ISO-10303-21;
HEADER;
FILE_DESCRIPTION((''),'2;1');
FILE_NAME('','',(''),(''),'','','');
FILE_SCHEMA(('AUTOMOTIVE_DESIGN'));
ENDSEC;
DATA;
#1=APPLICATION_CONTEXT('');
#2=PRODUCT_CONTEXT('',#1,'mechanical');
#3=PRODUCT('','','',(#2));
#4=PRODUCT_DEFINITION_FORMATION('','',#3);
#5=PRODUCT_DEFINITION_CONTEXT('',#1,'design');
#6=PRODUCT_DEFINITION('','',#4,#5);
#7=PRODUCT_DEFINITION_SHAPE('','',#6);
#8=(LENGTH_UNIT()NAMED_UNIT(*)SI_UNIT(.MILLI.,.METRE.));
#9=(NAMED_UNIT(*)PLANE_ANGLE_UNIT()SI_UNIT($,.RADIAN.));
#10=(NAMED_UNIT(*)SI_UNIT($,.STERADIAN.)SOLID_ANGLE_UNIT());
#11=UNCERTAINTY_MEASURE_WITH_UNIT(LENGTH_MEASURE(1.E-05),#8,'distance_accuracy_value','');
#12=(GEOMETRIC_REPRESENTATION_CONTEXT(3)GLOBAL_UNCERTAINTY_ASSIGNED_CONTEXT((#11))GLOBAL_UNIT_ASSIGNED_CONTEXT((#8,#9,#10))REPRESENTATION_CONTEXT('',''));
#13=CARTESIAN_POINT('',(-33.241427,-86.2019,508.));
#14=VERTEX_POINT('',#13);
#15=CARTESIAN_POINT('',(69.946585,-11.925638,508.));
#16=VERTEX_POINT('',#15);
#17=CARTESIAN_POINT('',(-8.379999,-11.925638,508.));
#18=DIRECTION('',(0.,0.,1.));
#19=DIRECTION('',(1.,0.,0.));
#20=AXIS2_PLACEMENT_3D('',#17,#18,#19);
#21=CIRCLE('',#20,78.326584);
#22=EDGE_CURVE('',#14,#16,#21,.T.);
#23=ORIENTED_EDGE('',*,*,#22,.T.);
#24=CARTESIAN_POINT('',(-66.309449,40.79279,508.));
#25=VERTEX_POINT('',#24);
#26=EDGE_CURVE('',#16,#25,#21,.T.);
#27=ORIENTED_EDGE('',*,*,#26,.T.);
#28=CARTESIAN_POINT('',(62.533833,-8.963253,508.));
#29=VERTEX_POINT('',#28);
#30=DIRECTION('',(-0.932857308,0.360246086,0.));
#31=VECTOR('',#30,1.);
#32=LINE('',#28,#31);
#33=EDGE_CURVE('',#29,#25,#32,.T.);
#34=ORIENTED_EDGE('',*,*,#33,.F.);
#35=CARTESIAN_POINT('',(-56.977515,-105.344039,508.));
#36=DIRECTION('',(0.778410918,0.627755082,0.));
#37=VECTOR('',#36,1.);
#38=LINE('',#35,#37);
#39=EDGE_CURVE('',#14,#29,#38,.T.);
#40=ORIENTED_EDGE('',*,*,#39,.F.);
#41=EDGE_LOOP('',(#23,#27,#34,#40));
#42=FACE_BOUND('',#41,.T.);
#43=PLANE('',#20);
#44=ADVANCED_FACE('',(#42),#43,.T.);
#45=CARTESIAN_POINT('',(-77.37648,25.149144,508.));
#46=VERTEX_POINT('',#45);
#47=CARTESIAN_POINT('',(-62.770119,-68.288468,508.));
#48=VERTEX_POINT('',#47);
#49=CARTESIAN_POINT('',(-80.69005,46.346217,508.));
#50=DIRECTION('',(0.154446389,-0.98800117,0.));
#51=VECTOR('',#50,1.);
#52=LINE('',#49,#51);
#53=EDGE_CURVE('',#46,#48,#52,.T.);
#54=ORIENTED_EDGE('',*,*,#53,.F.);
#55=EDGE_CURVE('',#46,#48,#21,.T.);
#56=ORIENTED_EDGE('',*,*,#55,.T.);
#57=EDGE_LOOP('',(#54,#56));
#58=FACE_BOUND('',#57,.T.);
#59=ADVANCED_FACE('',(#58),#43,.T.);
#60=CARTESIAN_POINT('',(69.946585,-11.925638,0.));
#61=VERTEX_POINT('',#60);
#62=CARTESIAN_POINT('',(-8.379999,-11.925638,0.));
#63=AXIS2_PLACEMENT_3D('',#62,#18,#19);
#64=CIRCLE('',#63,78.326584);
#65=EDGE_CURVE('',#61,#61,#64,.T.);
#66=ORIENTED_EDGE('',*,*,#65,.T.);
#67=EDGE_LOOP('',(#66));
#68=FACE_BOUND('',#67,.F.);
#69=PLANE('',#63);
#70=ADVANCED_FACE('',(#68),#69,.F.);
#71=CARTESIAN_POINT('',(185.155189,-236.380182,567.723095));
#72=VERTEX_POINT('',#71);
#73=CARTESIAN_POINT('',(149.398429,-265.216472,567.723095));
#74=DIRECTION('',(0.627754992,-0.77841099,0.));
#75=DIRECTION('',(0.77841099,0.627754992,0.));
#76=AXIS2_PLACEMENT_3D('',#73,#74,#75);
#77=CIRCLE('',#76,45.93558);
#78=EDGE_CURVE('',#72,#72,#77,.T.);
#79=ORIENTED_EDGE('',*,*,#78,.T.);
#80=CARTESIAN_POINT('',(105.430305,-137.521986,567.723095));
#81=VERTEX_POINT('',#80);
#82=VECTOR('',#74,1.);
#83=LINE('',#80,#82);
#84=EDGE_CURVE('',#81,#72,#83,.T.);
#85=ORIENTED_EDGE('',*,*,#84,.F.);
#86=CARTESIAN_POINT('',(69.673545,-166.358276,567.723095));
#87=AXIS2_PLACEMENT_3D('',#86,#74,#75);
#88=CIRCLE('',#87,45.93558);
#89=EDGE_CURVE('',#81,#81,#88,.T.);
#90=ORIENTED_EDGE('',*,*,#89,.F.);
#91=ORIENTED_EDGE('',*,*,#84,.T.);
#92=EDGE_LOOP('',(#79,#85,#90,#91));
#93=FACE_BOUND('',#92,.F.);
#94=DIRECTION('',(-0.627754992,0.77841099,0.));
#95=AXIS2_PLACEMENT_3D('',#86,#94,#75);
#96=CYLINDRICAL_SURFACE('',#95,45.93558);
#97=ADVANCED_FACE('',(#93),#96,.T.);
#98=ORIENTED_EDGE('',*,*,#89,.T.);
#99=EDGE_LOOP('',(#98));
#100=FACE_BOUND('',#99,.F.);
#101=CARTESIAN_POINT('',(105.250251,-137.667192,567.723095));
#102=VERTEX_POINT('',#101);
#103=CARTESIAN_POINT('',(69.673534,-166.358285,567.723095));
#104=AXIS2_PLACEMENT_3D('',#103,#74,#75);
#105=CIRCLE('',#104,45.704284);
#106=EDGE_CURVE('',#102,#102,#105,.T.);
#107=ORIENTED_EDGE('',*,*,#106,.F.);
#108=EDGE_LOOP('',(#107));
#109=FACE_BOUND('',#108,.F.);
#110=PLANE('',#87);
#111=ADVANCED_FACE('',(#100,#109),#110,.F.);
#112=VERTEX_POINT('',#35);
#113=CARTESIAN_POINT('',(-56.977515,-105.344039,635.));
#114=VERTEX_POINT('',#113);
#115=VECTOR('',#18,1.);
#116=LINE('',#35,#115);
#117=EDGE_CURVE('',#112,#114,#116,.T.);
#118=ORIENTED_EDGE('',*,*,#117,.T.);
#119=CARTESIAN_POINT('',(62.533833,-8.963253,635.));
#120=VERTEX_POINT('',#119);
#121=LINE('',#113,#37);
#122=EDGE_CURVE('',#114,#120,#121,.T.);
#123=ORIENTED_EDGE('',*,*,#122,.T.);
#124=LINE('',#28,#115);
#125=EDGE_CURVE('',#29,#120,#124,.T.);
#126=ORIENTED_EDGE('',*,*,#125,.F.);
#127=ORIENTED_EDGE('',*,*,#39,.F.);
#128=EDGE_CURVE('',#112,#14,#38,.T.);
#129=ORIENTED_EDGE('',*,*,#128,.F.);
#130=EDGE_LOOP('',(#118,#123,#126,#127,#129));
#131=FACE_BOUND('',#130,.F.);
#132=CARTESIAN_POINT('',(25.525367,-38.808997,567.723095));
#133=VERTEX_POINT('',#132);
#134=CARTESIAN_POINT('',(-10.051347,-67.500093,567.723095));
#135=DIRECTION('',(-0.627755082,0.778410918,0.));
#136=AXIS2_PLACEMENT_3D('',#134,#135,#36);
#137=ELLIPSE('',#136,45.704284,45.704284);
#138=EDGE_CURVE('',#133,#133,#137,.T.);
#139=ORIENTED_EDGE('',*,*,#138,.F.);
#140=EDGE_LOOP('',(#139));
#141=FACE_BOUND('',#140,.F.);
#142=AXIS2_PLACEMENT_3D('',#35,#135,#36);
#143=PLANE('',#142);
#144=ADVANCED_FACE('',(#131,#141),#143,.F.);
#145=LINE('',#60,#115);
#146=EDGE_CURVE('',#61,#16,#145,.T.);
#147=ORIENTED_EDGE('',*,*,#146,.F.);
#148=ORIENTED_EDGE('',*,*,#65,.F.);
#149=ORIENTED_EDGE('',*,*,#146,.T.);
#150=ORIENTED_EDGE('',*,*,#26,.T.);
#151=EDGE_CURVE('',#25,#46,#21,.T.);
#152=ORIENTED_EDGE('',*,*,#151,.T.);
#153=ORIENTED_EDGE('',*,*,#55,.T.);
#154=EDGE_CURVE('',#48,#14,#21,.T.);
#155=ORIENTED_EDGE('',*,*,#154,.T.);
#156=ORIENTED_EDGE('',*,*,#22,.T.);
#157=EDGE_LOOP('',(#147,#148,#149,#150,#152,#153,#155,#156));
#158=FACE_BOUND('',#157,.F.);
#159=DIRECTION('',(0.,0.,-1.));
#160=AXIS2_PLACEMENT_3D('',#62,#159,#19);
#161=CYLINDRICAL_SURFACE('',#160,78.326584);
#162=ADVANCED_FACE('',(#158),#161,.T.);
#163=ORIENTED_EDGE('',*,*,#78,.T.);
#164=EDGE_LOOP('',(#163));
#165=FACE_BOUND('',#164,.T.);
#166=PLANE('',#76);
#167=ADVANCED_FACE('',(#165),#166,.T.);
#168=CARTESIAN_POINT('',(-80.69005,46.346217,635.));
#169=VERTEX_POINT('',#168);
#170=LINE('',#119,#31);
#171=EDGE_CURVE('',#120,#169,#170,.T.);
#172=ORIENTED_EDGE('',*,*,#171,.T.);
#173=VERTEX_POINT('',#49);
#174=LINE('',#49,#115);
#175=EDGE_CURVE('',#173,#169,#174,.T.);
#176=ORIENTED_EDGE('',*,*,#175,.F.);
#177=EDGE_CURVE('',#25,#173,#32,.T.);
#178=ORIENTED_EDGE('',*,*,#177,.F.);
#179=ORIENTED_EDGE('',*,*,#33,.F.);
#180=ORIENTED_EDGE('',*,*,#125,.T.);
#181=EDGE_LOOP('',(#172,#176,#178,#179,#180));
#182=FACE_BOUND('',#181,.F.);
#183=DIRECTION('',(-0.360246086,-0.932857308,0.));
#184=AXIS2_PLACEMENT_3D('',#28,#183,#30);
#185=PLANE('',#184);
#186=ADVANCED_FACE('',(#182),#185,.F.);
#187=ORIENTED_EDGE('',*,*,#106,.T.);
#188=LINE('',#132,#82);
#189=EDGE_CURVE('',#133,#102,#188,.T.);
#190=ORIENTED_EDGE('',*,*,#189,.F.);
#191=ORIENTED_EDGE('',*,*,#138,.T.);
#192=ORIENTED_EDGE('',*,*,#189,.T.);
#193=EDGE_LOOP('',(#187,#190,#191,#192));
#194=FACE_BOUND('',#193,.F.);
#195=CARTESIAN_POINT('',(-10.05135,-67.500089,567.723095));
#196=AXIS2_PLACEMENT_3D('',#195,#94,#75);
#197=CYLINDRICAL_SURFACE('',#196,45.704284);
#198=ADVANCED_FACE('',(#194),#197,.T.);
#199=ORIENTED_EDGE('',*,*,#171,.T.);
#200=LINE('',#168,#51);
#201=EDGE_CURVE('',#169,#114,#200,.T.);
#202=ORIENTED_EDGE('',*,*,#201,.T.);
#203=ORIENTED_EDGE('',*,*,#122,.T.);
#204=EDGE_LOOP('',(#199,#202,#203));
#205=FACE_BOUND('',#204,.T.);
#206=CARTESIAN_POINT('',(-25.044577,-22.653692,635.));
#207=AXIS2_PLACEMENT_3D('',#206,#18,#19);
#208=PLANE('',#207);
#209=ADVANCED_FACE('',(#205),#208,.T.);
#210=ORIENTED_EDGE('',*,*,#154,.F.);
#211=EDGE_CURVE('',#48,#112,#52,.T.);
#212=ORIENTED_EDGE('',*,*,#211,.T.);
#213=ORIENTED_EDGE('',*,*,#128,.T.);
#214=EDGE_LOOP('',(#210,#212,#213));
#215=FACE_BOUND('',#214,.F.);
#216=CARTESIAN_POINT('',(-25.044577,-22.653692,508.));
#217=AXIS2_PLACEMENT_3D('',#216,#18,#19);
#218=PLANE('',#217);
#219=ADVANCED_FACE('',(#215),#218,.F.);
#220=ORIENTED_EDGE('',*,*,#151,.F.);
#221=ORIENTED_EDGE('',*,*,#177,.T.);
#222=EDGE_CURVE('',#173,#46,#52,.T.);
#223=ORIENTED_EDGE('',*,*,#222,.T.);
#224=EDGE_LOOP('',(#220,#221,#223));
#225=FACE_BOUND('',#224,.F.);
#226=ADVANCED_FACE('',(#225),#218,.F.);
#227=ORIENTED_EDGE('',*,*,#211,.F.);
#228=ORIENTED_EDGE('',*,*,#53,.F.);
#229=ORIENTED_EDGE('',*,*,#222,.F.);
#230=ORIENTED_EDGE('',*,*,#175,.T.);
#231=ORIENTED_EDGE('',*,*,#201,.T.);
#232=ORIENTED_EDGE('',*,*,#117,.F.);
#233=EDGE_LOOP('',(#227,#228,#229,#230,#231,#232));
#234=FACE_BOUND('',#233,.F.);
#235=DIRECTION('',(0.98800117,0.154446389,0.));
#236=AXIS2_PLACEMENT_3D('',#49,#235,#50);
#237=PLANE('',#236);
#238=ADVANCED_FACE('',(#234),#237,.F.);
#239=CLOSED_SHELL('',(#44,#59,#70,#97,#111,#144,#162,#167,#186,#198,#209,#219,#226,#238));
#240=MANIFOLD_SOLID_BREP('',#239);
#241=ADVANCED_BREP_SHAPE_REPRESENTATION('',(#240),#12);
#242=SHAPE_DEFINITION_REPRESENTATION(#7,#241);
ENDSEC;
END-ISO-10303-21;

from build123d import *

# Parameters (mm, degrees)
F0_R     = 78.326584
F1_DEPTH = 508
F3_DEPTH = 127
F4_R     = 45.704284
F5_DEPTH = 127
F6_R     = 45.93558
F7_DEPTH = 127


with BuildPart() as f1:
    # F0 (on Top) → F1 (new body)
    with BuildSketch(Plane.XY):
        with Locations((-8.379999, -11.925638)):
            Circle(F0_R)
    extrude(amount=F1_DEPTH)

    # F2 (on face) → F3 (join)
    with BuildSketch(Plane.XY.offset(508)):
        Polygon((-56.977515, -105.344039), (62.533833, -8.963253), (-80.69005, 46.346217), align=None)
    extrude(amount=F3_DEPTH)

    # F4 (on face) → F5 (join)
    with BuildSketch(Plane(origin=(29.023017, -35.988292, 0), x_dir=(0.778411, 0.627755, 0), z_dir=(0.627755, -0.778411, 0))):
        with Locations((-50.197605, 567.723095)):
            Circle(F4_R)
    extrude(amount=F5_DEPTH)

    # F6 (on face) → F7 (join)
    with BuildSketch(Plane(origin=(108.747912, -134.846479, 0), x_dir=(0.778411, 0.627755, 0), z_dir=(0.627755, -0.778411, 0))):
        with Locations((-50.197605, 567.723095)):
            Circle(F6_R)
    extrude(amount=F7_DEPTH)


solid = f1.part
